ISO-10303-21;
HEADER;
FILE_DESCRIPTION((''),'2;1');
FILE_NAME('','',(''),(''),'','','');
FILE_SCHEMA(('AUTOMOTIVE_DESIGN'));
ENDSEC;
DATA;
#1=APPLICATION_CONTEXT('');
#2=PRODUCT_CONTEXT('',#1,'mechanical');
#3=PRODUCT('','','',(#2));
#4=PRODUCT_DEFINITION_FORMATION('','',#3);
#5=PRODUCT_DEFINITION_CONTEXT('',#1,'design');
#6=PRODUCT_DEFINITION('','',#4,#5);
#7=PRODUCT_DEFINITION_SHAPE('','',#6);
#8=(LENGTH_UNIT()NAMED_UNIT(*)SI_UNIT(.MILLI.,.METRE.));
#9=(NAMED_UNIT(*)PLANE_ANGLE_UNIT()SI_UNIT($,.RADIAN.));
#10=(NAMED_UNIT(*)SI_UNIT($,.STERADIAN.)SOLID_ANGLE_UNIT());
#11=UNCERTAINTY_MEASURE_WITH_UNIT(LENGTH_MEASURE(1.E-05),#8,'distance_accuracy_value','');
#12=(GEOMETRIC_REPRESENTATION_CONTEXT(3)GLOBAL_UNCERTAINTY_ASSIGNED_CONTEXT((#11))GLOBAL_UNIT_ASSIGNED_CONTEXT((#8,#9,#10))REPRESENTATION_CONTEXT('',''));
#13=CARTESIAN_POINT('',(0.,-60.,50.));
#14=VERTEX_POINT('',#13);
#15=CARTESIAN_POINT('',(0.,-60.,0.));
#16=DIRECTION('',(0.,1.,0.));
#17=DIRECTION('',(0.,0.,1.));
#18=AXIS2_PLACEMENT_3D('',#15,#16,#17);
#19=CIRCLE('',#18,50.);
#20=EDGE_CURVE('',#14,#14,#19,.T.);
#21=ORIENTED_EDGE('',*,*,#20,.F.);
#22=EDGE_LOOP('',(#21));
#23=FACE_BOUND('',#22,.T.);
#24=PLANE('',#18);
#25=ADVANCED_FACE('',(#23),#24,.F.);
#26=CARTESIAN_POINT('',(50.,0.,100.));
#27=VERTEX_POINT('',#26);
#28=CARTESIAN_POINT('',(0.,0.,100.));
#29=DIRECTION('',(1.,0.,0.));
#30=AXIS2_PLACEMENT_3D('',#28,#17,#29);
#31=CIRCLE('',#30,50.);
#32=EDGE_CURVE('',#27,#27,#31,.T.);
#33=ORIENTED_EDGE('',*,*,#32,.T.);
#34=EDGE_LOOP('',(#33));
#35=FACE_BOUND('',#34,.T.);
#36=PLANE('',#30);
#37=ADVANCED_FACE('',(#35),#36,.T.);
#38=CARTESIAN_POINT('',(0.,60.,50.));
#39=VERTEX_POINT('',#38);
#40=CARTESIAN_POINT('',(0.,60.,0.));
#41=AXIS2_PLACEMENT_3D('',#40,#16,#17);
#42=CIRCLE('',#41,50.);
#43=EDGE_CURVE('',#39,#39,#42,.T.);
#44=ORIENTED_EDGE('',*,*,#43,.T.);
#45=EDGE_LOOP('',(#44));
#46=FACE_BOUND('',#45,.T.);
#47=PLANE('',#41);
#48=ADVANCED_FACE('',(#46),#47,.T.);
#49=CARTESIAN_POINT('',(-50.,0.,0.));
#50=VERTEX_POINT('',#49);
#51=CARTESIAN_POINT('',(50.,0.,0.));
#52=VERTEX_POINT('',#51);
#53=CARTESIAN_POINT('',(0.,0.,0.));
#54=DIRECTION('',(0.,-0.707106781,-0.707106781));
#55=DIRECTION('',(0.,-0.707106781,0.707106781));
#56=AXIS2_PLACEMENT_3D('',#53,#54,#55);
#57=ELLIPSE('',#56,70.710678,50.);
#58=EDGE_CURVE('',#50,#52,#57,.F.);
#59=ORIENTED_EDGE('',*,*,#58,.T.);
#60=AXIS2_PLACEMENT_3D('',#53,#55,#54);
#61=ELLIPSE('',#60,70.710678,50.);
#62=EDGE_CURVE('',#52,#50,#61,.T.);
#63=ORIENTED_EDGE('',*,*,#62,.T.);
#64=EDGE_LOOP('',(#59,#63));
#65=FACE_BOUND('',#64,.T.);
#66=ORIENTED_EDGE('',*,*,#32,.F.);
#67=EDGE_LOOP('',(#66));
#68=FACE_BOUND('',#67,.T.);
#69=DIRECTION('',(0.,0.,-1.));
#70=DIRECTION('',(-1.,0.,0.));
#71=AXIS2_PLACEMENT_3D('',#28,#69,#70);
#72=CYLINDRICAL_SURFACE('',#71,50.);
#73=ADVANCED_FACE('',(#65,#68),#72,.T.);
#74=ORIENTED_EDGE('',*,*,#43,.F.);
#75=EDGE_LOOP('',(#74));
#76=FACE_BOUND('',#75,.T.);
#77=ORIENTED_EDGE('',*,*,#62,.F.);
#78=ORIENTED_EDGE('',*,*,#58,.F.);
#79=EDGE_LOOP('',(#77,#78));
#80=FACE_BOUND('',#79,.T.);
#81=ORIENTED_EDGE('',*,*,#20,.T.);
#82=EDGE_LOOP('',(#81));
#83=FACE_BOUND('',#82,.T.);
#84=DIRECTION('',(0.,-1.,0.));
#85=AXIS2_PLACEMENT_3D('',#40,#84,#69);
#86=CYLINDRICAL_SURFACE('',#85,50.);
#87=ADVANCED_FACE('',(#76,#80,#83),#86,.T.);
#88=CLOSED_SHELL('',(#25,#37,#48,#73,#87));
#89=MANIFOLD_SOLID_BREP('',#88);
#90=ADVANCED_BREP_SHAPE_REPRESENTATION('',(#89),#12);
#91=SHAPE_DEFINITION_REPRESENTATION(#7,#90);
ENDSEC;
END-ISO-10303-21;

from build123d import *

# Parameters (mm, degrees)
SKETCH_1_R      = 50
EXTRUDE_1_DEPTH = 60
SKETCH_3_R      = 50
EXTRUDE_2_DEPTH = 100


with BuildPart() as part:
    # 草图1 → 凸台-拉伸1 (new body, symmetric)
    with BuildSketch(Plane(origin=(0, 0, 0), x_dir=(1, 0, 0), z_dir=(0, 1, 0))):
        Circle(SKETCH_1_R)
    extrude(amount=EXTRUDE_1_DEPTH, both=True)

    # 草图3 → 凸台-拉伸2 (add)
    with BuildSketch(Plane.XY):
        Circle(SKETCH_3_R)
    extrude(amount=EXTRUDE_2_DEPTH)


solid = part.part
